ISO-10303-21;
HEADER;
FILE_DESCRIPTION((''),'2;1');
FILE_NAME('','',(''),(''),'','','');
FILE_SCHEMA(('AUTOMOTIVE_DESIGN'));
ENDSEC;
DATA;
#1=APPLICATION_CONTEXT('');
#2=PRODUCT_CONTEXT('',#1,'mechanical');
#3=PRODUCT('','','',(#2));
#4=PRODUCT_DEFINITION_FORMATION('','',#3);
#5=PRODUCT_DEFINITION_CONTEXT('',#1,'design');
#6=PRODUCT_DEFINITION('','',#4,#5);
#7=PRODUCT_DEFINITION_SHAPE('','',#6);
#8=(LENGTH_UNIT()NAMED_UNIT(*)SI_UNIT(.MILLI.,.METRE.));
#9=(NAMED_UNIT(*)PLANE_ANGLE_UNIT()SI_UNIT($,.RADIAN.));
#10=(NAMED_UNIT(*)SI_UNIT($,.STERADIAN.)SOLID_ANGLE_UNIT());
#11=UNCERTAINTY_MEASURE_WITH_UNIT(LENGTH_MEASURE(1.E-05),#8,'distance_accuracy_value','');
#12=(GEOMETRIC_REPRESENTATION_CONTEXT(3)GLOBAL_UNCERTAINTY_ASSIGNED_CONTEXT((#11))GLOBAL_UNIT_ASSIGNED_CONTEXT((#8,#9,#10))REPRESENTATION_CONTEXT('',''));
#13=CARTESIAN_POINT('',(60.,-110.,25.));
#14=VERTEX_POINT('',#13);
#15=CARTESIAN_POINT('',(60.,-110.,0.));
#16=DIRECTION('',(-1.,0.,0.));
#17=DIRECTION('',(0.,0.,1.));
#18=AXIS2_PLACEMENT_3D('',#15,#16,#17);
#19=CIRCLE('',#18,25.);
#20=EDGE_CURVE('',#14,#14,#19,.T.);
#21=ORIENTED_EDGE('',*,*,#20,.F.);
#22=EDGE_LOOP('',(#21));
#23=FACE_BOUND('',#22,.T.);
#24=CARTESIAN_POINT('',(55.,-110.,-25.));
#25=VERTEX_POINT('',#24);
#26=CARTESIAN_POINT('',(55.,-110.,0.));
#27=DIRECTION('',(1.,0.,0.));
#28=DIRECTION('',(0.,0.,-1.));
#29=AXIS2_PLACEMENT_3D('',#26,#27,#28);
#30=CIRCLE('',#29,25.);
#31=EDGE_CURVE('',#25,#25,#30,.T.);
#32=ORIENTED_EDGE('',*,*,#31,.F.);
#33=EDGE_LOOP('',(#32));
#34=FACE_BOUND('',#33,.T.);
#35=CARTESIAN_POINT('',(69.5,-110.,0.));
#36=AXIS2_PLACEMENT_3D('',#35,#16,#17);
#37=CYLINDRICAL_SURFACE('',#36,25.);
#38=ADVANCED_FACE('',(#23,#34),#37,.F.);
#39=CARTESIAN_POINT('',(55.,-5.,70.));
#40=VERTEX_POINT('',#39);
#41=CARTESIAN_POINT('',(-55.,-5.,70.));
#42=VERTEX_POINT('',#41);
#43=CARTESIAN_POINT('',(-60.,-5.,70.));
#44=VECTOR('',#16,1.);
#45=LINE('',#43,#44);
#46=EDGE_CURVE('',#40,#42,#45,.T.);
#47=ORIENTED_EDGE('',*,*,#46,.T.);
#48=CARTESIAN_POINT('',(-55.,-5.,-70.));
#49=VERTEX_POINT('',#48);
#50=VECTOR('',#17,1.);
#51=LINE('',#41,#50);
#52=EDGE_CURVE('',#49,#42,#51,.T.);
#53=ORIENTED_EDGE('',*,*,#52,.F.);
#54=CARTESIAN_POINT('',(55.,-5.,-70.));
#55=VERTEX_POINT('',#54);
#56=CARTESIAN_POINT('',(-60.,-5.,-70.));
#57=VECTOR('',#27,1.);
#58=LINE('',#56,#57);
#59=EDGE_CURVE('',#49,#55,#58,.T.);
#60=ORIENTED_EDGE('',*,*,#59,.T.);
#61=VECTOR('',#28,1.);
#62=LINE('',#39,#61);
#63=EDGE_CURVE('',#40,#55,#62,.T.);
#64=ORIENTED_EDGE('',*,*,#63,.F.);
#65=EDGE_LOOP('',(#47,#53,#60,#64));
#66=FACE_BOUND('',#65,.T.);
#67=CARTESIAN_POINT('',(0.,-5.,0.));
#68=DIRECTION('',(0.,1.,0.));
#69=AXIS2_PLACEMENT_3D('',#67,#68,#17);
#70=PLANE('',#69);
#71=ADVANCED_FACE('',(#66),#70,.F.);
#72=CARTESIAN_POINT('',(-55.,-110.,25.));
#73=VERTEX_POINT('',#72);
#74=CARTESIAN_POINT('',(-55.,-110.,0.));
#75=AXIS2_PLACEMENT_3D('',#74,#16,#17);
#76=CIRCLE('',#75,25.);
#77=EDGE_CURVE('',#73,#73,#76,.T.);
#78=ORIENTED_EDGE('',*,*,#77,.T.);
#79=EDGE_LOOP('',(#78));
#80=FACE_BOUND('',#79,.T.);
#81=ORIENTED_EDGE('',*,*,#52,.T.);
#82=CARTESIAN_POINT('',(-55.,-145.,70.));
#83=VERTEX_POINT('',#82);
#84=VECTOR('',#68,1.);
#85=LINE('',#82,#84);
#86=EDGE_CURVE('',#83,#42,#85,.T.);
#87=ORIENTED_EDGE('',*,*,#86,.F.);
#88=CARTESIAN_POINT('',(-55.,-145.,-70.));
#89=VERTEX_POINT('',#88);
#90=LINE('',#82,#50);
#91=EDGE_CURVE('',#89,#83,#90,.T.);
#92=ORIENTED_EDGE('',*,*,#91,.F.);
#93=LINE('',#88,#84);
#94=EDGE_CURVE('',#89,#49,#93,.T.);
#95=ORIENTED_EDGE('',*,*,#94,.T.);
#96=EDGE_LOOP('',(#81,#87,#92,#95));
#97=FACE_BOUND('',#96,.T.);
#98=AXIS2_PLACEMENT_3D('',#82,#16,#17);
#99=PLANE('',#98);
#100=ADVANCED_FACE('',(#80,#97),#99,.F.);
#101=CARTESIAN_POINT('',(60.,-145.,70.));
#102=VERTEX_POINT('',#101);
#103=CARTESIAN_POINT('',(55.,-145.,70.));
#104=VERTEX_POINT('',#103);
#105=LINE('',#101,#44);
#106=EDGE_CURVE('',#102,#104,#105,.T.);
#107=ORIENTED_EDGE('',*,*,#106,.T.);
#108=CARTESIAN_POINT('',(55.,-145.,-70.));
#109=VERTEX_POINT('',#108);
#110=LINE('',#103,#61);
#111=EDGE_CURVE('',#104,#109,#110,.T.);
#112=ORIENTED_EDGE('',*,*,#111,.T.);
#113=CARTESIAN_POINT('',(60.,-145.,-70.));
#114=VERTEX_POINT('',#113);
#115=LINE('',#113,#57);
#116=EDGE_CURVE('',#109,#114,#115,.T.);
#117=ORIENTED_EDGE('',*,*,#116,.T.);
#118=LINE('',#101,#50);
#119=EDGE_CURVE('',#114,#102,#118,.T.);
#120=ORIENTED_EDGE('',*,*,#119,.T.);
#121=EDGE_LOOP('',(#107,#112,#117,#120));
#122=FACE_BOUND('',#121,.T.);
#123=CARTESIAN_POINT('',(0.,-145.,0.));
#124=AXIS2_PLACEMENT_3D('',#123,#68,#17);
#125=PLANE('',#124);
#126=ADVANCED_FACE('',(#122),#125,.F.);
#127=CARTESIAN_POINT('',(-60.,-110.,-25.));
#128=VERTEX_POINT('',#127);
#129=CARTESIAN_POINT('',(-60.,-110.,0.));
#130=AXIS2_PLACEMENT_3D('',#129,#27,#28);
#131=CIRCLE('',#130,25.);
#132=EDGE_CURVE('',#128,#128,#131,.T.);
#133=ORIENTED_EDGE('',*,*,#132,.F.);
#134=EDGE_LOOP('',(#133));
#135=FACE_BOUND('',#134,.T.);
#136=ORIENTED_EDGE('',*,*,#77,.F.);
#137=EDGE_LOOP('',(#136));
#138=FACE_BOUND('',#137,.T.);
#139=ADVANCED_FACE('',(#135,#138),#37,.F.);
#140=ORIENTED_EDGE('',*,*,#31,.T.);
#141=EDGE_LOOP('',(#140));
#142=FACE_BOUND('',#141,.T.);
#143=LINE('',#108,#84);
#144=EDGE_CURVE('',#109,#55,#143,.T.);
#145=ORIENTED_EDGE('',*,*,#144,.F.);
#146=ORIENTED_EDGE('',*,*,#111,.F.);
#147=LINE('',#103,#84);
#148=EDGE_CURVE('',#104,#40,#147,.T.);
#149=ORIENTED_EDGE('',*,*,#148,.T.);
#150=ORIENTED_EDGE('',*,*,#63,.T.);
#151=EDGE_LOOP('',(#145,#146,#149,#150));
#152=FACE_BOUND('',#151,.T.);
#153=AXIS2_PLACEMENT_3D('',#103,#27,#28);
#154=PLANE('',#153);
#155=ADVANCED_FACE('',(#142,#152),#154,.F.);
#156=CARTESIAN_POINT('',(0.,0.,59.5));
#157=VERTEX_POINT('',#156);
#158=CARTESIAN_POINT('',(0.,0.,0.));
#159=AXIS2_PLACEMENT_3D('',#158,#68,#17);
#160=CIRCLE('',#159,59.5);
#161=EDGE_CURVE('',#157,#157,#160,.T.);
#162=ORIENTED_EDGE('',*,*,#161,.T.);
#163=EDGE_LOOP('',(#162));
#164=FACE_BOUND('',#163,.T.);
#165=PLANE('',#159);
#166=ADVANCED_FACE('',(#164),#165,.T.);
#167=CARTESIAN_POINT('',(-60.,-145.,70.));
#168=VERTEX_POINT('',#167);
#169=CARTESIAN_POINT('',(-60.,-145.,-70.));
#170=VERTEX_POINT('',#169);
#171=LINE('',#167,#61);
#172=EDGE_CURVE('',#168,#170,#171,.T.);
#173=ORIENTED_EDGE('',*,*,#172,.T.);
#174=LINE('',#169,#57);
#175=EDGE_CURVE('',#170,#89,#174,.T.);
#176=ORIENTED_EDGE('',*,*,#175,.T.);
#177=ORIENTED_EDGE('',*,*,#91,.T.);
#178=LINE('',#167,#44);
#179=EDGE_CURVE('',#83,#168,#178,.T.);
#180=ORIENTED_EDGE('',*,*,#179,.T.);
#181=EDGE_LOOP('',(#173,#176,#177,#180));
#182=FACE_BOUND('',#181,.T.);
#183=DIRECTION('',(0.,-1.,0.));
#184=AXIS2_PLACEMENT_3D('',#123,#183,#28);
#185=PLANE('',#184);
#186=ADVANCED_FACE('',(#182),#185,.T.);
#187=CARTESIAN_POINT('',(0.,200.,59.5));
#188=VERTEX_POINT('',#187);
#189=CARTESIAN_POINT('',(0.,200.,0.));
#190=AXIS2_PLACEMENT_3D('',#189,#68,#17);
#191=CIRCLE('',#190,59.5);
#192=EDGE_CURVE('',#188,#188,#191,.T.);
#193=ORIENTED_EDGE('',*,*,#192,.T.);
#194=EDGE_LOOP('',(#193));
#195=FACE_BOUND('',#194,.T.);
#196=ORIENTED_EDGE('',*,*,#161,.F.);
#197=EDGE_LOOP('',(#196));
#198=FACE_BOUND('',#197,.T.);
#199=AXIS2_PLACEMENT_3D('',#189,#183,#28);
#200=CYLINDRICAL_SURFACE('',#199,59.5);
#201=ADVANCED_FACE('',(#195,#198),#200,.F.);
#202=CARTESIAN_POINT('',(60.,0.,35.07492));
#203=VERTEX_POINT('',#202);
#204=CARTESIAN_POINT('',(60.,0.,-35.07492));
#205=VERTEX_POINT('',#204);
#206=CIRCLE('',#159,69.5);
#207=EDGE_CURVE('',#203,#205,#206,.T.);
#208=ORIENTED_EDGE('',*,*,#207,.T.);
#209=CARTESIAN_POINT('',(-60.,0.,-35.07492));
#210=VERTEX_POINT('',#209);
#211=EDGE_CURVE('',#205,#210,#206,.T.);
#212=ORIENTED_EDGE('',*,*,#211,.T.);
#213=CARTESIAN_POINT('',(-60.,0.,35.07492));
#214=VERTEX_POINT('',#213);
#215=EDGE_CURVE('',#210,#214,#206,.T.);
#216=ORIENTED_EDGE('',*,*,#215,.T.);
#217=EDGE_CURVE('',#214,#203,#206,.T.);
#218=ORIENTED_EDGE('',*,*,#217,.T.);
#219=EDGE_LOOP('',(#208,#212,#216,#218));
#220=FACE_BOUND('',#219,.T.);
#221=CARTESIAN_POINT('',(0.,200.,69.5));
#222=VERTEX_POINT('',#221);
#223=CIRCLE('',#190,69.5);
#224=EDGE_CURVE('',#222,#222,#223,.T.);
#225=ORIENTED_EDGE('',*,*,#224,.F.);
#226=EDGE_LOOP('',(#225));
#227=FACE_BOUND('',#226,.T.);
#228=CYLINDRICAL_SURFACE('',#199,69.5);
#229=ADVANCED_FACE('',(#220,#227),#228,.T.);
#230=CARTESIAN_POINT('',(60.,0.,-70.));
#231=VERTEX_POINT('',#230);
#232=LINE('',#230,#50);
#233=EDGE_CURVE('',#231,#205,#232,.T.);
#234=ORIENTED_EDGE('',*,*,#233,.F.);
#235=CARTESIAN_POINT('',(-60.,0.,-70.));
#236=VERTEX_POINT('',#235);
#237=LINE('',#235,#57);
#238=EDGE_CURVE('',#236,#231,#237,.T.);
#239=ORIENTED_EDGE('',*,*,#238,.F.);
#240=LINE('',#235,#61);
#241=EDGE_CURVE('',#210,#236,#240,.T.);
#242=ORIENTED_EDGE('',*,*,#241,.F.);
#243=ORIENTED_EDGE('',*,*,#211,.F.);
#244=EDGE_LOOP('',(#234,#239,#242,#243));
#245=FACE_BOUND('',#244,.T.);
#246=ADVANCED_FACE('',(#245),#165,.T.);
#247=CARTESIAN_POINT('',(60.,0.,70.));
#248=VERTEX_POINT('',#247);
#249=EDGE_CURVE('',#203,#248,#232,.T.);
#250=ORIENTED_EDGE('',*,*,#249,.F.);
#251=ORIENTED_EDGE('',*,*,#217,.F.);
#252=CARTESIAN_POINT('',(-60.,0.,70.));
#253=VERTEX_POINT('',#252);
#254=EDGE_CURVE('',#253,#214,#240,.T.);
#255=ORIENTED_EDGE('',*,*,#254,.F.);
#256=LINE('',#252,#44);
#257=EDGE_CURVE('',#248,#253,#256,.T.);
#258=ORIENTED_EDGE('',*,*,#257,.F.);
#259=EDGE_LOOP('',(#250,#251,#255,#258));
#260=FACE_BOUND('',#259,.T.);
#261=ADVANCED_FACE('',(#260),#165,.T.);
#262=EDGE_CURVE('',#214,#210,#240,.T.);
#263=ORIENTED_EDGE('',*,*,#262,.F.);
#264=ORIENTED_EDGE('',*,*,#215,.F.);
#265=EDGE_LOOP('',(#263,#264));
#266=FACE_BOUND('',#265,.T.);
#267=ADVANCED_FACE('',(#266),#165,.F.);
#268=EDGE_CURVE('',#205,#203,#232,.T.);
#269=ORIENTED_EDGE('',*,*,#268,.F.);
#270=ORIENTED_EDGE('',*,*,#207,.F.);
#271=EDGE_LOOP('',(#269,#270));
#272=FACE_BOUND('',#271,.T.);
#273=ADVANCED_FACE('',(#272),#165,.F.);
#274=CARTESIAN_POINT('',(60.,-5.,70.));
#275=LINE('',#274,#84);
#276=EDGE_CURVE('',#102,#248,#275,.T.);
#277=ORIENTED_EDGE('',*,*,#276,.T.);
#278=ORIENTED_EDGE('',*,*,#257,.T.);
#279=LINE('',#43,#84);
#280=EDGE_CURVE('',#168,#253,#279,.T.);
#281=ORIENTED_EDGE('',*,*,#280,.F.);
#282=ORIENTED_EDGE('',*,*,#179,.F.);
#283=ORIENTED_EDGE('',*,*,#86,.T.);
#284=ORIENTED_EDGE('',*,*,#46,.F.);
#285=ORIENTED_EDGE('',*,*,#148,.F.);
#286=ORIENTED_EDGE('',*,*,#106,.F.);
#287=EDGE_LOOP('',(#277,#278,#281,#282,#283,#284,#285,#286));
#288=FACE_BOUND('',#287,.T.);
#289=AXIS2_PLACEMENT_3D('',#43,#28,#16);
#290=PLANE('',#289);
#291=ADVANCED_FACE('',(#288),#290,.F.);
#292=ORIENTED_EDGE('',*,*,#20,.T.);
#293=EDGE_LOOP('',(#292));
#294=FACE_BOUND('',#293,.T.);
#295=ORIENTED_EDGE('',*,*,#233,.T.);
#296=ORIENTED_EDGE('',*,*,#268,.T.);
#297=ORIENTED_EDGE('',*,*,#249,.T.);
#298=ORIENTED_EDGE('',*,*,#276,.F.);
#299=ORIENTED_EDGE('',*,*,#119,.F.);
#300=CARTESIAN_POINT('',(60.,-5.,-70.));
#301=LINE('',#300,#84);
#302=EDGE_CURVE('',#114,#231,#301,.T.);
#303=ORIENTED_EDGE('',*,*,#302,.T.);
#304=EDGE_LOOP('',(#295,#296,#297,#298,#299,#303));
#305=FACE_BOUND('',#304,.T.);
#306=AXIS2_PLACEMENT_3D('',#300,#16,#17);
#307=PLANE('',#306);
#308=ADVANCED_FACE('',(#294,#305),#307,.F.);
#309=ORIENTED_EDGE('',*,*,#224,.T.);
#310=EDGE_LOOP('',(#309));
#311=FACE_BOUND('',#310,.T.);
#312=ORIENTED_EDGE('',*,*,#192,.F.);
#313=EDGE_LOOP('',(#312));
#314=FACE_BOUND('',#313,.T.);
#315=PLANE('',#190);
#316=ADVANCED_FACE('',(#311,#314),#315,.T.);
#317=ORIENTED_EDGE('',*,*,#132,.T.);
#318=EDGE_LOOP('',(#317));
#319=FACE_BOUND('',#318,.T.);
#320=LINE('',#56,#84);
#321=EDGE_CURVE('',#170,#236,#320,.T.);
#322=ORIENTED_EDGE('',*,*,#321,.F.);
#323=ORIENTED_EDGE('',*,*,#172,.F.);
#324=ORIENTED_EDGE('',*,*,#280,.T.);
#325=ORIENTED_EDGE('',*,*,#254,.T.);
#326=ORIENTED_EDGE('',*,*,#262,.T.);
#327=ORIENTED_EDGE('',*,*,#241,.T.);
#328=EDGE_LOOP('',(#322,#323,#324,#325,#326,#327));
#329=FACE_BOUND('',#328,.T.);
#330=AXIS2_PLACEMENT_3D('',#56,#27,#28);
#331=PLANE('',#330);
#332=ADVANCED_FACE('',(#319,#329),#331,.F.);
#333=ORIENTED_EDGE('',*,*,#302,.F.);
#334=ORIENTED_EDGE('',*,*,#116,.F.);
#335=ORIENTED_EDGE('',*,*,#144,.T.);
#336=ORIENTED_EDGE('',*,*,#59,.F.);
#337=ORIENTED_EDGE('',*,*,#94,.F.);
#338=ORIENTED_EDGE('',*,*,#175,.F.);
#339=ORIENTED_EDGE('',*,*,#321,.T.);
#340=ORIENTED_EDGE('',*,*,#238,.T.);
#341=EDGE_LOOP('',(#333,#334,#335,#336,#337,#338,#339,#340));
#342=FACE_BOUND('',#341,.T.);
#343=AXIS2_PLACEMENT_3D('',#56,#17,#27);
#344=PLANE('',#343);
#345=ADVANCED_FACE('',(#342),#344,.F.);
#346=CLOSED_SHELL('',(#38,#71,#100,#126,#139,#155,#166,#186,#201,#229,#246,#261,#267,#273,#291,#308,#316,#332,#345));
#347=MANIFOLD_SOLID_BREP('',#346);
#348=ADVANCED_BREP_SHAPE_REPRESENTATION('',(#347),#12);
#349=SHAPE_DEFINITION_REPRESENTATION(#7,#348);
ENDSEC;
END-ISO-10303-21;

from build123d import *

# Parameters (mm, degrees)
SKETCH1_R               = 69.5
SKETCH1_R_2             = 59.5
BOSS_EXTRUDE1_DEPTH     = 200
SKETCH2_W               = 120
SKETCH2_H               = 140
BOSS_EXTRUDE2_DEPTH     = 5
SKETCH3_W               = 5
SKETCH3_H               = 140
BOSS_EXTRUDE3_DEPTH     = 140
CUT_EXTRUDE1_DEPTH      = 249.334955252
CUT_EXTRUDE1_DEPTH_BACK = 249.334955252
SKETCH4_R               = 25


with BuildPart() as part:
    # Sketch1 → Boss-Extrude1 (new body)
    with BuildSketch(Plane(origin=(0, 0, 0), x_dir=(1, 0, 0), z_dir=(0, 1, 0))):
        with Locations(Location((0, 0, 0), (0, 0, 270))):
            Circle(SKETCH1_R)
        with Locations(Location((0, 0, 0), (0, 0, 270))):
            Circle(SKETCH1_R_2, mode=Mode.SUBTRACT)
    extrude(amount=BOSS_EXTRUDE1_DEPTH)

    # Sketch2 → Boss-Extrude2 (add)
    with BuildSketch(Plane.XZ):
        Rectangle(SKETCH2_W, SKETCH2_H)
    extrude(amount=BOSS_EXTRUDE2_DEPTH)

    # Sketch3 → Boss-Extrude3 (add)
    with BuildSketch(Plane.XZ.offset(5)):
        with Locations((-57.5, 0)):
            Rectangle(SKETCH3_W, SKETCH3_H)
        with Locations((57.5, 0)):
            Rectangle(SKETCH3_W, SKETCH3_H)
    extrude(amount=BOSS_EXTRUDE3_DEPTH)

    # Sketch4 → Cut-Extrude1 (cut, two sides: drawn at the far end of the back side and taken through both)
    with BuildSketch(Plane.ZY.offset(60).offset(-CUT_EXTRUDE1_DEPTH_BACK)):
        with Locations((0, -110)):
            Circle(SKETCH4_R)
    extrude(amount=CUT_EXTRUDE1_DEPTH + CUT_EXTRUDE1_DEPTH_BACK, mode=Mode.SUBTRACT)


solid = part.part
